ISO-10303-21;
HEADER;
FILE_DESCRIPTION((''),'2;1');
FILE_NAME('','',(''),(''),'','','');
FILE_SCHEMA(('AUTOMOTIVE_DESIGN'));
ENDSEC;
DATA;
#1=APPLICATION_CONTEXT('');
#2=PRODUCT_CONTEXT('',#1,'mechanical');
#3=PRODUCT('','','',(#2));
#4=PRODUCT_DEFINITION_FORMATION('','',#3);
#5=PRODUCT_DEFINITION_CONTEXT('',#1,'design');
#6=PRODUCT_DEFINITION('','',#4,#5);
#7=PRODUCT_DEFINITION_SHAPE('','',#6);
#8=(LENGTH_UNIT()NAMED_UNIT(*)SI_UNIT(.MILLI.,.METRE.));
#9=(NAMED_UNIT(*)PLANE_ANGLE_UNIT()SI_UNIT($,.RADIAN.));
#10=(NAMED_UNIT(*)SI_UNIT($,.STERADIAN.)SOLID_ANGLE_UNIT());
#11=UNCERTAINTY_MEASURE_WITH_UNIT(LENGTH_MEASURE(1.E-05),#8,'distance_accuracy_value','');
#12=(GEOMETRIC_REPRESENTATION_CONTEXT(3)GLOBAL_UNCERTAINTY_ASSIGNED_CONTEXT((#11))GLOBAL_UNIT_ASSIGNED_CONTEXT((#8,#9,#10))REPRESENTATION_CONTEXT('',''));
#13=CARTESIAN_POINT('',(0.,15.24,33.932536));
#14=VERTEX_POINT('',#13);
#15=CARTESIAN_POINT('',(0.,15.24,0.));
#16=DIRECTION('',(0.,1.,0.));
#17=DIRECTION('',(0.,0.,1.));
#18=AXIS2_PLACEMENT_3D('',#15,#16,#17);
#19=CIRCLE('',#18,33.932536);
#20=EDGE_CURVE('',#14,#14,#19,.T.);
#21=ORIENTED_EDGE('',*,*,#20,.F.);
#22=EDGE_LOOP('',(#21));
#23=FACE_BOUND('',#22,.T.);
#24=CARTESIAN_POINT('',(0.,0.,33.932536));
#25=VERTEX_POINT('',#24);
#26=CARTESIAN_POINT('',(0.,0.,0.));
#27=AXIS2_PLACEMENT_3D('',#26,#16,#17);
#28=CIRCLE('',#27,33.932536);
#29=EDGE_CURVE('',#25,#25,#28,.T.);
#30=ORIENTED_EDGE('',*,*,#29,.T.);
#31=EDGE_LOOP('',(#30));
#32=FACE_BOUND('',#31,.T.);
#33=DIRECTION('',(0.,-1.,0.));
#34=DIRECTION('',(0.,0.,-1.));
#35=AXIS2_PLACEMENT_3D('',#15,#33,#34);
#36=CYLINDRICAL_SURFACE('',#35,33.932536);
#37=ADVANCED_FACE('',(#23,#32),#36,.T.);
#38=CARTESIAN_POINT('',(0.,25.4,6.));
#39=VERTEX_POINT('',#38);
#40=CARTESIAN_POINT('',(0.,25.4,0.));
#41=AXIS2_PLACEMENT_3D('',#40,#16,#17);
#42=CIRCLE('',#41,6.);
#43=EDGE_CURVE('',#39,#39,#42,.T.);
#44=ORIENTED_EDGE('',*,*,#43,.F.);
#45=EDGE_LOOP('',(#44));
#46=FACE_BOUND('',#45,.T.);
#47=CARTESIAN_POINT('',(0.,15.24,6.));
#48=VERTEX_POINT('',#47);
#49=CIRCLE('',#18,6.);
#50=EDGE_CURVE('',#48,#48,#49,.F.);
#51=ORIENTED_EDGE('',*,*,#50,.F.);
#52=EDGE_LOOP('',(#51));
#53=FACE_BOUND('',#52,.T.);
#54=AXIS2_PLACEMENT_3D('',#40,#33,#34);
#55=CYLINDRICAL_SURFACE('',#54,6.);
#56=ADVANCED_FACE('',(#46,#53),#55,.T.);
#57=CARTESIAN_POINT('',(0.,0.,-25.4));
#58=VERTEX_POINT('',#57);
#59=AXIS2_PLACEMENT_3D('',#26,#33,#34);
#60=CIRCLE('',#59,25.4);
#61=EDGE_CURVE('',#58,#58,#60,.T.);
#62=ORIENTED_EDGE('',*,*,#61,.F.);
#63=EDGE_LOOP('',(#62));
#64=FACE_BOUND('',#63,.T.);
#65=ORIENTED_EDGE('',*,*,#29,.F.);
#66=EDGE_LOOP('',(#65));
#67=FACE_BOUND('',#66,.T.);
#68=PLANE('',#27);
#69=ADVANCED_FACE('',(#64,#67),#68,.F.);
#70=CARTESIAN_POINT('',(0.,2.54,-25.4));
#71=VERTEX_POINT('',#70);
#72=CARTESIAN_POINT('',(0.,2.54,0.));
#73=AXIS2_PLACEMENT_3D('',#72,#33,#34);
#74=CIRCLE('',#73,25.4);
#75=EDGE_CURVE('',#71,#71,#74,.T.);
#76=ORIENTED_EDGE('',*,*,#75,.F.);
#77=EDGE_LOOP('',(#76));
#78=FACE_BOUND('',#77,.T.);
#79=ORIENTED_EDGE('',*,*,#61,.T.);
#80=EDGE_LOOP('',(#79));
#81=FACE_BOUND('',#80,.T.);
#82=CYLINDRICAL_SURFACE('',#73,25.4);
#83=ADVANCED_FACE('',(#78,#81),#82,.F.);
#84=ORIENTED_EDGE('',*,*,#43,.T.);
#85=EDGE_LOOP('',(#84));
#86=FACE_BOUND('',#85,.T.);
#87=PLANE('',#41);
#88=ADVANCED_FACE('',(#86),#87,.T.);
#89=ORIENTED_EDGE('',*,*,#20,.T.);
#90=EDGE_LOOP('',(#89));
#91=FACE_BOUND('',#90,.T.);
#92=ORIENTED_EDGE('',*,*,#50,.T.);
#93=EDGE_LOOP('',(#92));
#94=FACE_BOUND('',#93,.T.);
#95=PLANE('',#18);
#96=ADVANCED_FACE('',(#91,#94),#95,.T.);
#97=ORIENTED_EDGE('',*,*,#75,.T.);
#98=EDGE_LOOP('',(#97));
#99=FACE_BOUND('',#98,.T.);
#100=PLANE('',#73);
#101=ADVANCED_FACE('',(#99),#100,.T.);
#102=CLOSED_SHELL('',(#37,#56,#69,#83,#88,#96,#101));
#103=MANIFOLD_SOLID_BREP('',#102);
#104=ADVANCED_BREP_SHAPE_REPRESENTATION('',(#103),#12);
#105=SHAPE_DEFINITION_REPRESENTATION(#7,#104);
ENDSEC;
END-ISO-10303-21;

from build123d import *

# Parameters (mm, degrees)
SKETCH2_R           = 33.932535707
BOSS_EXTRUDE1_DEPTH = 15.24
SKETCH3_R           = 6
BOSS_EXTRUDE2_DEPTH = 25.4
SKETCH4_R           = 25.4
CUT_EXTRUDE1_DEPTH  = 2.54


with BuildPart() as part:
    # Sketch2 → Boss-Extrude1 (new body)
    with BuildSketch(Plane(origin=(0, 0, 0), x_dir=(1, 0, 0), z_dir=(0, 1, 0))):
        Circle(SKETCH2_R)
    extrude(amount=BOSS_EXTRUDE1_DEPTH)

    # Sketch3 → Boss-Extrude2 (add)
    with BuildSketch(Plane(origin=(0, 0, 0), x_dir=(1, 0, 0), z_dir=(0, 1, 0))):
        Circle(SKETCH3_R)
    extrude(amount=BOSS_EXTRUDE2_DEPTH)

    # Sketch4 → Cut-Extrude1 (cut)
    with BuildSketch(Plane.XZ):
        Circle(SKETCH4_R)
    extrude(amount=-CUT_EXTRUDE1_DEPTH, mode=Mode.SUBTRACT)


solid = part.part
